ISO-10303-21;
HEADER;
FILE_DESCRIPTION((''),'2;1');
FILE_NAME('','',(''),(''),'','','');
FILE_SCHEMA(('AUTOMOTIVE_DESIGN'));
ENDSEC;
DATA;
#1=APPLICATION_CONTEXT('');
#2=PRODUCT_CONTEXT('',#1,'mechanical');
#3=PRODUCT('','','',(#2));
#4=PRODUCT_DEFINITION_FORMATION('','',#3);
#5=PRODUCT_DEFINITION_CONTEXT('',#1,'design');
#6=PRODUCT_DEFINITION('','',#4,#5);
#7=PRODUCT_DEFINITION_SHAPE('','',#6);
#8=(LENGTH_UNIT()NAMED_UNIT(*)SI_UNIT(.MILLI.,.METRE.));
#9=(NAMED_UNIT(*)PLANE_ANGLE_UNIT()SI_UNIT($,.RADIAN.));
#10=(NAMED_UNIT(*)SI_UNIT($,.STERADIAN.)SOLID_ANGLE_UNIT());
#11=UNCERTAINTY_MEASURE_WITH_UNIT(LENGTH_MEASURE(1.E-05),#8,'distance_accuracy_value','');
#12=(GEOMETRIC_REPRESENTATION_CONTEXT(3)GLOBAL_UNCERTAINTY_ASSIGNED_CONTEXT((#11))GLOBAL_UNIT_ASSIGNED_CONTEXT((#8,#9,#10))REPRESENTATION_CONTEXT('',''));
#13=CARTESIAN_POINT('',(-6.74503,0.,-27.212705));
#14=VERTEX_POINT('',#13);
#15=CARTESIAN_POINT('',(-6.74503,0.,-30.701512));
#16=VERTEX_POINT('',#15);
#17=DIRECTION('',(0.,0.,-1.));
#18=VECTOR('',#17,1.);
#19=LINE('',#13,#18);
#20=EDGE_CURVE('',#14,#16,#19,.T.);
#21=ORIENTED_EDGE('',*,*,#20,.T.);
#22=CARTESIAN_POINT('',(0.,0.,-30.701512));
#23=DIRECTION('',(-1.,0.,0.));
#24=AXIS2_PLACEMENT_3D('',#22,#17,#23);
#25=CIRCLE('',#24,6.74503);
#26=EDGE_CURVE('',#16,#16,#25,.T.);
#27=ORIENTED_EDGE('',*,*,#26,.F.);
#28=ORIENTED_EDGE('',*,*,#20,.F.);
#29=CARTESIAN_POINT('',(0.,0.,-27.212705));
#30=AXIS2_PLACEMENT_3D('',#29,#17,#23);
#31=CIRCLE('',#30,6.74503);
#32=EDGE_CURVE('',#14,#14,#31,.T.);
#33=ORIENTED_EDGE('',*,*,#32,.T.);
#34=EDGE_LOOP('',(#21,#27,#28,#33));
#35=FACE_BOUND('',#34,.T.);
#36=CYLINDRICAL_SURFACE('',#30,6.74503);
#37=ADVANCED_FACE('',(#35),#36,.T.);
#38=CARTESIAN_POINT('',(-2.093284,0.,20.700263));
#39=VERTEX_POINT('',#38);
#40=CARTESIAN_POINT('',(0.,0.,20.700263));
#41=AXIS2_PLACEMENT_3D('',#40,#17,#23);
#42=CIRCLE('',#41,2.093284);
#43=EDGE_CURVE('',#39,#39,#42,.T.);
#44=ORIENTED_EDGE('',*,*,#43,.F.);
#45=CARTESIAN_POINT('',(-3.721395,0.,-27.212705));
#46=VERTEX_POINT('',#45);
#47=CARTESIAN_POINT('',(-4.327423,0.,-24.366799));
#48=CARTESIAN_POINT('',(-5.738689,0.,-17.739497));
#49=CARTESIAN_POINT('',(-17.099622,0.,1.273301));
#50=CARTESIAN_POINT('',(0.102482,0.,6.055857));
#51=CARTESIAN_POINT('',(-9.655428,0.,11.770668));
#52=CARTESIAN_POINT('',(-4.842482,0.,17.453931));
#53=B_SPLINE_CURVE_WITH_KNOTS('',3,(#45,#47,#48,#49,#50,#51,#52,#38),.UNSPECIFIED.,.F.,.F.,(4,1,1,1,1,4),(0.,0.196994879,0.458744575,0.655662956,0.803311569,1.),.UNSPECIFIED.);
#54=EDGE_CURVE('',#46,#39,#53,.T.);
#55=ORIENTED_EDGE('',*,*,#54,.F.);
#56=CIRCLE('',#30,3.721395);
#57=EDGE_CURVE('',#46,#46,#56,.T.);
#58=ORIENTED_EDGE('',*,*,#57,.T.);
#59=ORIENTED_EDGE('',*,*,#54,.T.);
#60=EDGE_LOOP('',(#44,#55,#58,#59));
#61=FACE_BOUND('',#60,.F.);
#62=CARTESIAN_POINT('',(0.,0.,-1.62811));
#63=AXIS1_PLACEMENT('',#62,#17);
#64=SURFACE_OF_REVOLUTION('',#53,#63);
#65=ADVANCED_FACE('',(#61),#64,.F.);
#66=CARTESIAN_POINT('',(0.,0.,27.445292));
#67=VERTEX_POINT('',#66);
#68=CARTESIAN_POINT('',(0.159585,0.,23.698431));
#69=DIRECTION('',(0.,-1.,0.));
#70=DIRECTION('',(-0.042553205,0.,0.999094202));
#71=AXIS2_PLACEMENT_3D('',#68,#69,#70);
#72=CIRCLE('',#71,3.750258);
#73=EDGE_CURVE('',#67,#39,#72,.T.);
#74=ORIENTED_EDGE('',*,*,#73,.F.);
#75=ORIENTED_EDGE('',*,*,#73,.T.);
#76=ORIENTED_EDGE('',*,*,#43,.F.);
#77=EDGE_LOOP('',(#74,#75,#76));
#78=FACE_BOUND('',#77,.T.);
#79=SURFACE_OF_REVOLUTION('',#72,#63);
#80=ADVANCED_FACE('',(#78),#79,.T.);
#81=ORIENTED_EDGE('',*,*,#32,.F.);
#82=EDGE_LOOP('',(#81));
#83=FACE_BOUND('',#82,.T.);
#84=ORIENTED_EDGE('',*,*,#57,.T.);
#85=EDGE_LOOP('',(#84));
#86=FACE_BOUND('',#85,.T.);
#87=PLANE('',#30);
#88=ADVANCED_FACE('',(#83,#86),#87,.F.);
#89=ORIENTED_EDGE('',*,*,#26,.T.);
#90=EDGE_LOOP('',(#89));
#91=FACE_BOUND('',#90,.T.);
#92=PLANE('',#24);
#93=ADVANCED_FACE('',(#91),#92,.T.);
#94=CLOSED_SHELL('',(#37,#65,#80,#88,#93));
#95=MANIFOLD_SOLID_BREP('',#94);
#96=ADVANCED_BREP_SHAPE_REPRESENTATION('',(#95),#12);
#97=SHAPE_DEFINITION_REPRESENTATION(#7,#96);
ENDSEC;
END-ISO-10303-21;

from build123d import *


with BuildPart() as f1:
    # F0 (on Front) → F1 (revolve)
    with BuildSketch(Plane.XZ):
        with BuildLine():
            Line((0, -30.7015124708), (0, 27.4452921003))
            ThreePointArc((0, 27.4452921003), (-3.4221515258, 24.8100043212), (-2.0932843909, 20.7002628595))
            add(Edge.make_bspline(
                [(-3.7213952746, -27.2127054632), (-4.3274233918, -24.3667985213), (-5.7386890692, -17.7394974533), (-17.0996215136, 1.2733005026), (0.1024817471, 6.0558566094), (-9.6554282454, 11.770667977), (-4.8424824907, 17.4539314282), (-2.0932843909, 20.7002628595)],
                knots=[0, 0, 0, 0, 0.1969948789, 0.4587445752, 0.655662956, 0.8033115694, 1, 1, 1, 1], degree=3))
            Line((-3.7213952746, -27.2127054632), (-6.7450297065, -27.2127054632))
            Line((-6.7450297065, -27.2127054632), (-6.7450297065, -30.7015124708))
            Line((-6.7450297065, -30.7015124708), (0, -30.7015124708))
        make_face()
    revolve(axis=Axis((0, 0, -1.6281101853), (0, 0, -1)))


solid = f1.part
